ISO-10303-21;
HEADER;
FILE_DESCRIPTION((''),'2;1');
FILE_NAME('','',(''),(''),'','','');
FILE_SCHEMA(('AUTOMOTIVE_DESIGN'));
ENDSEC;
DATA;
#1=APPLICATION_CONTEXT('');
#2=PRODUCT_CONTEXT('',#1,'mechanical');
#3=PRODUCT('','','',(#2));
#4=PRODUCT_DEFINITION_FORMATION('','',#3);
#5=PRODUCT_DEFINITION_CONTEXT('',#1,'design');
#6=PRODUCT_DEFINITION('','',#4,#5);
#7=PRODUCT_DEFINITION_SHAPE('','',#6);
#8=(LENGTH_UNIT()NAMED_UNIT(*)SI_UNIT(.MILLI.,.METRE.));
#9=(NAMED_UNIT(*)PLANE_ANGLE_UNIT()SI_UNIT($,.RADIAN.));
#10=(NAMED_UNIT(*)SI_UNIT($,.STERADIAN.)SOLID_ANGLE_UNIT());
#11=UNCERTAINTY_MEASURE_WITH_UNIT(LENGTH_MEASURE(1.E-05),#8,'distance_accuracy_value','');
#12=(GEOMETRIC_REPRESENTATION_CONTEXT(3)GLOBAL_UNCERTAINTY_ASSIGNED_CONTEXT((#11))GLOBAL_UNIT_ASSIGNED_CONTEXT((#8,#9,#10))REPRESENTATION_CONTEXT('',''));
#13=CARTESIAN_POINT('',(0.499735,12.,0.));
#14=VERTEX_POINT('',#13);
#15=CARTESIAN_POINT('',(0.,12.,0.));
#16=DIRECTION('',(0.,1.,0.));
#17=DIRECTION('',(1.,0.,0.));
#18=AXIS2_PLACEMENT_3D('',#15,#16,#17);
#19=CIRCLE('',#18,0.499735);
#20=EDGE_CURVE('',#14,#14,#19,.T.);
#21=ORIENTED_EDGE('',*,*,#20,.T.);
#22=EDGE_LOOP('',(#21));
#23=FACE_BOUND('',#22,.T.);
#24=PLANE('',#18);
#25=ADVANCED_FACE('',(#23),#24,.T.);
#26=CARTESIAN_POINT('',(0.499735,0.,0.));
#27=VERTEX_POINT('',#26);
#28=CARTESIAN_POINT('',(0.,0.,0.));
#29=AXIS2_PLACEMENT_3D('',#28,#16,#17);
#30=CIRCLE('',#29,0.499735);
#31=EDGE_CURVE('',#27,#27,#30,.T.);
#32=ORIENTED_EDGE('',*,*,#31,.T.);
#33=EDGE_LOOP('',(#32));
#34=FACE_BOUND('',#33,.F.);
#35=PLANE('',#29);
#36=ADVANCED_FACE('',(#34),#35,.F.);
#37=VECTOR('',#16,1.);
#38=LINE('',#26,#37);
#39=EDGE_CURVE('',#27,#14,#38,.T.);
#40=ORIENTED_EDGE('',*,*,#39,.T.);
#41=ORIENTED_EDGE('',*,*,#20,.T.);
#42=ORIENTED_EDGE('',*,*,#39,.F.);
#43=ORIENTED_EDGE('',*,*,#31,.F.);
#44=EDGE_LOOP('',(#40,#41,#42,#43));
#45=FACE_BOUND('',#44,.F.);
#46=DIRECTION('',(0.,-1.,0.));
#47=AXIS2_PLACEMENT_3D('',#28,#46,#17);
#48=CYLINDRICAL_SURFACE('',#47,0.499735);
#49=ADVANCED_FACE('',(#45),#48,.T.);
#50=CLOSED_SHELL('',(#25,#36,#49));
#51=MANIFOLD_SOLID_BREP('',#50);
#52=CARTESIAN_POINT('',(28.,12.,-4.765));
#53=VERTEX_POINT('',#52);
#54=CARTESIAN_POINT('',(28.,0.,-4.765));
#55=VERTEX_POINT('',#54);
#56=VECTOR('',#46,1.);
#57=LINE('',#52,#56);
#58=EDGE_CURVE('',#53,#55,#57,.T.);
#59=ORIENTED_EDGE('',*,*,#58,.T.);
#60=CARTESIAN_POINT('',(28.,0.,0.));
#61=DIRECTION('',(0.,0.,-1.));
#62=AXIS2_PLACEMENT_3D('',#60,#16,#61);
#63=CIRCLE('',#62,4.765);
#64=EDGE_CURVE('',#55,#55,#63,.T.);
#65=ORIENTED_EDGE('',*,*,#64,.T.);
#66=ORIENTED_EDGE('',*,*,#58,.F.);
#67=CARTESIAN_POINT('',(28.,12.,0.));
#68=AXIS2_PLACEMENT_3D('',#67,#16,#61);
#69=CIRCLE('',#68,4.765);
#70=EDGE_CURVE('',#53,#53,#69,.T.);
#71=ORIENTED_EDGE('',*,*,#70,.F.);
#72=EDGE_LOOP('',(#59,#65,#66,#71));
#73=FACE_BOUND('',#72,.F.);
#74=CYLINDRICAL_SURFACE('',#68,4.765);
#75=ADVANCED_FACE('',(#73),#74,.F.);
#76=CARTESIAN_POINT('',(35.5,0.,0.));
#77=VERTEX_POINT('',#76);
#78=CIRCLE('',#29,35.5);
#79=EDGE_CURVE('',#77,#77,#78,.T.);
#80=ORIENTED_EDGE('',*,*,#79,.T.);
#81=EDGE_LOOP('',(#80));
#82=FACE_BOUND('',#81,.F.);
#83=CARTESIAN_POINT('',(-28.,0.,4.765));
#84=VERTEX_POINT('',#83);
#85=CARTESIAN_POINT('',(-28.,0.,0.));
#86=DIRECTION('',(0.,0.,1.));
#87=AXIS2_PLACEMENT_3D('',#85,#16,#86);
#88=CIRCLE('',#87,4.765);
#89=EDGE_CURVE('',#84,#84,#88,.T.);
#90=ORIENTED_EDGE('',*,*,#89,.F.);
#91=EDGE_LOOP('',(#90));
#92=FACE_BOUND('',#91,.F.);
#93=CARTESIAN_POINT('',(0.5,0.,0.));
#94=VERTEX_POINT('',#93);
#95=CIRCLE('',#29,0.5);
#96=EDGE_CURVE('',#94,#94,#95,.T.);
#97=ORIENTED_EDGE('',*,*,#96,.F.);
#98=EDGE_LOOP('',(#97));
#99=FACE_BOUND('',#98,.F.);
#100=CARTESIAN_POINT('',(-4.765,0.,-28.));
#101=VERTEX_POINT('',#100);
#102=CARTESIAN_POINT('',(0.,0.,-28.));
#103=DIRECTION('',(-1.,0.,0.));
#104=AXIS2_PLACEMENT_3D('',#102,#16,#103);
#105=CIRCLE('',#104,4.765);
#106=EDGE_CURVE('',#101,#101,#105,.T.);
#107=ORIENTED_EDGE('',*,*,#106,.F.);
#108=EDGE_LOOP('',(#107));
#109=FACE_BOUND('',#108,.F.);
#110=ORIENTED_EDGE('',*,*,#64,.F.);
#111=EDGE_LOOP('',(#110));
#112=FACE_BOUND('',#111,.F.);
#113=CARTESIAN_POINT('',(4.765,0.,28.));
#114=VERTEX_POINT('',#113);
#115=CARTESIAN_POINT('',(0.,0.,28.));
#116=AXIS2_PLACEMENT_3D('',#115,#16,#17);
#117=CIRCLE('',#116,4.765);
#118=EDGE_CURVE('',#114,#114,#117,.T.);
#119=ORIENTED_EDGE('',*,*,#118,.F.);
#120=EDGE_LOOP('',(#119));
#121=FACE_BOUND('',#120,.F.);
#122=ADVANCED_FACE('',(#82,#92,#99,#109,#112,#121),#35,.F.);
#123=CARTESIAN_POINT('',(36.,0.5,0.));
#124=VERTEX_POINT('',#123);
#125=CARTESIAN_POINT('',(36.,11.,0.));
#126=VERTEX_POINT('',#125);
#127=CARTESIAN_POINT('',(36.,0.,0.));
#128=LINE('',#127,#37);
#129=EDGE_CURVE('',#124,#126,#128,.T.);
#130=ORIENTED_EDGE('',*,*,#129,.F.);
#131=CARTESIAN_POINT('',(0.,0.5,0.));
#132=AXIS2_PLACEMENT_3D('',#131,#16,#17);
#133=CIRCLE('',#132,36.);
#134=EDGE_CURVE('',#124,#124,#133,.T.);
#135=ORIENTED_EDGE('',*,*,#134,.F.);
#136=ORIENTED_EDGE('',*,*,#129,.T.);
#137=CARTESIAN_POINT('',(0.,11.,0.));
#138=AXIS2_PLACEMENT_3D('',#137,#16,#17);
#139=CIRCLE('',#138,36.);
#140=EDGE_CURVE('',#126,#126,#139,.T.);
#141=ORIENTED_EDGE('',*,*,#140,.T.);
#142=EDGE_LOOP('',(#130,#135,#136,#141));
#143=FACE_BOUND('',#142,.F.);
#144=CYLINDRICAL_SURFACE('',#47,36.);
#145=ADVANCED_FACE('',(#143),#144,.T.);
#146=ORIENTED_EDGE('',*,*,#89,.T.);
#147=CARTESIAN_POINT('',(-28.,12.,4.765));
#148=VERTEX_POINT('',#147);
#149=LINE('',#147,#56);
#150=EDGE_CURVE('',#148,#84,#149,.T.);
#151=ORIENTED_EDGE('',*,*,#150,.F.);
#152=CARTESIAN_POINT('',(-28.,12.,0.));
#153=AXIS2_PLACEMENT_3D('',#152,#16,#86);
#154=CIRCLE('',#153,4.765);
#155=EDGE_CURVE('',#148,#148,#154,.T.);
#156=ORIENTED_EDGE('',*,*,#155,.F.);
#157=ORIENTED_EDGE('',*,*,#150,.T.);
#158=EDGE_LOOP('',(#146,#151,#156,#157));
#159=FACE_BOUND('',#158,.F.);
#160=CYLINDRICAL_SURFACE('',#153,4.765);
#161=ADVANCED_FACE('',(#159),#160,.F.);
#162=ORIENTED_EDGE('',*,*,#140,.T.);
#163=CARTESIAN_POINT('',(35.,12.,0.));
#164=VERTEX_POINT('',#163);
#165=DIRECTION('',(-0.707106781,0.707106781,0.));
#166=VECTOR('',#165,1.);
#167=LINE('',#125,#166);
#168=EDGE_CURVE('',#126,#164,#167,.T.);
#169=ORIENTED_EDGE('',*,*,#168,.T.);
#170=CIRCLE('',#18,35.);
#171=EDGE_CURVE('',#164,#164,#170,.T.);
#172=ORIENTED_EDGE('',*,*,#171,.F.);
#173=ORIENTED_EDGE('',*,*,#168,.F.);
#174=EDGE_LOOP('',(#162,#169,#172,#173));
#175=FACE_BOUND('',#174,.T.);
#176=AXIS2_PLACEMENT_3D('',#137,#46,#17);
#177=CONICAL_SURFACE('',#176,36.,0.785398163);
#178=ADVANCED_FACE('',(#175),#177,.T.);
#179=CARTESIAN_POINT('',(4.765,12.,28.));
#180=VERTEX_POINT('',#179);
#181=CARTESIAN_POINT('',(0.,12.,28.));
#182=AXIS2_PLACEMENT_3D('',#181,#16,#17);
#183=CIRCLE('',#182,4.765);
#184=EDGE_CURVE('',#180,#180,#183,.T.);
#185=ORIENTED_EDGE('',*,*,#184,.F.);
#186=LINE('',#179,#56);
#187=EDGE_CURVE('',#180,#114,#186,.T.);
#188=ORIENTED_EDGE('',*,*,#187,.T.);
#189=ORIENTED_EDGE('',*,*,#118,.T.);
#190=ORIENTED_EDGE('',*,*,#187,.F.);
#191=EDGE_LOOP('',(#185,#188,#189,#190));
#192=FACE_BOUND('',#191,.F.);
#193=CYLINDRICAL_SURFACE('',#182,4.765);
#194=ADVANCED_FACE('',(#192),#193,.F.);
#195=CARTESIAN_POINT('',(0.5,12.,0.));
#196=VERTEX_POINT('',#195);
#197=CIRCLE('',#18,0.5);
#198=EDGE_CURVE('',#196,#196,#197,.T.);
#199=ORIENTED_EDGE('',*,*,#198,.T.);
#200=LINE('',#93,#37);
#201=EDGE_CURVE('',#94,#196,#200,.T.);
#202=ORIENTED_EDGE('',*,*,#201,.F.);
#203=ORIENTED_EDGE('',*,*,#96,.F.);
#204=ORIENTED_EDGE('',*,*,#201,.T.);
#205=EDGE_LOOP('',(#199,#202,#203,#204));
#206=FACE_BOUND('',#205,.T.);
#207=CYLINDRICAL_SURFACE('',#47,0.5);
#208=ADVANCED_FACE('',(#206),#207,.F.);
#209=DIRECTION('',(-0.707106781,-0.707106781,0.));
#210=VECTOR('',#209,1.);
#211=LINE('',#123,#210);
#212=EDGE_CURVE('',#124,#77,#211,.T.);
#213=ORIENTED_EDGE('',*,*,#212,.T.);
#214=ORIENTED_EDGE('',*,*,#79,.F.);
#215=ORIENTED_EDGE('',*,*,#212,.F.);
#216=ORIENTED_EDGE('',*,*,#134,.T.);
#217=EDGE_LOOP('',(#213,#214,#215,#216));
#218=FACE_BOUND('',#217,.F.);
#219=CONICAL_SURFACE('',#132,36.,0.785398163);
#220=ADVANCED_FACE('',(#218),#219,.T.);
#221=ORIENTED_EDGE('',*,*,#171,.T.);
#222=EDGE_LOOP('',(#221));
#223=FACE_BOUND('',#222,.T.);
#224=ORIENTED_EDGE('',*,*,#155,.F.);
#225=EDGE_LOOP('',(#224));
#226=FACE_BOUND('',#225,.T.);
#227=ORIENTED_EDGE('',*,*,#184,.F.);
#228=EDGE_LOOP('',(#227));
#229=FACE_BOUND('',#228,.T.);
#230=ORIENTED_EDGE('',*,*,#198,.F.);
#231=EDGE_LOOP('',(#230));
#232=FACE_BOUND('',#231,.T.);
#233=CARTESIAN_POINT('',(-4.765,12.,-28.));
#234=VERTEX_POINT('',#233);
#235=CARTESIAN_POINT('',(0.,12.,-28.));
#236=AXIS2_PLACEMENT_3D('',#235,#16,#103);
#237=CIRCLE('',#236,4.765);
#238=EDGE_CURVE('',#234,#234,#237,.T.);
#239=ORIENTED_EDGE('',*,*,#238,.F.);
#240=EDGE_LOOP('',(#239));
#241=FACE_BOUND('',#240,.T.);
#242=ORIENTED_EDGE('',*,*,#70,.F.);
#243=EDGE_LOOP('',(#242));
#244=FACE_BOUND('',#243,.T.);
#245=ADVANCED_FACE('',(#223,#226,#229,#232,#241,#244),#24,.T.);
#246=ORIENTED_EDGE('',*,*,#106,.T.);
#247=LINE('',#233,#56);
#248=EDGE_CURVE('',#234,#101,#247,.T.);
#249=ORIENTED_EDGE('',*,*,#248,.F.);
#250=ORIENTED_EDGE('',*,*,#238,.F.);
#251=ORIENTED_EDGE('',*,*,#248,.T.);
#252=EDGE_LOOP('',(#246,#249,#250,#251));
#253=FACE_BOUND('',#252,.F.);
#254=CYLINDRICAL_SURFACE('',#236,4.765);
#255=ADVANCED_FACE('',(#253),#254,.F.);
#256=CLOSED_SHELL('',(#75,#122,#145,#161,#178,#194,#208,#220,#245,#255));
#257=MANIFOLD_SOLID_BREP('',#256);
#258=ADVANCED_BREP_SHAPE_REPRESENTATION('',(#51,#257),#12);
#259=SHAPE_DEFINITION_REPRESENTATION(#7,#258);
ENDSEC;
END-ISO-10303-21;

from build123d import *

# Parameters (mm, degrees)
SKETCH1_R           = 36
SKETCH1_R_2         = 0.5
BOSS_EXTRUDE1_DEPTH = 12
SKETCH4_R           = 4.765
CUT_EXTRUDE1_DEPTH  = 12
CIRPATTERN1_COUNT   = 4
CHAMFER1_SIZE       = 1
CHAMFER2_SIZE       = 0.5
SKETCH5_R           = 0.499735392
BOSS_EXTRUDE2_DEPTH = 12


with BuildPart() as part:
    # Sketch1 → Boss-Extrude1 (new body)
    with BuildSketch(Plane(origin=(0, 0, 0), x_dir=(1, 0, 0), z_dir=(0, 1, 0))):
        Circle(SKETCH1_R)
        Circle(SKETCH1_R_2, mode=Mode.SUBTRACT)
    extrude(amount=BOSS_EXTRUDE1_DEPTH)

    # Sketch4 → Cut-Extrude1 (cut)
    with BuildSketch(Plane(origin=(0, 12, 0), x_dir=(1, 0, 0), z_dir=(0, 1, 0))):
        with Locations((0, -28)):
            Circle(SKETCH4_R)
    cut_extrude1 = extrude(amount=-CUT_EXTRUDE1_DEPTH, mode=Mode.SUBTRACT)

    # CirPattern1: Cut-Extrude1 ×4 about axis
    cirpattern1_axis = Axis((0, 0, 0), (0, 1, 0))
    for i in range(1, CIRPATTERN1_COUNT):
        add(cut_extrude1.rotate(cirpattern1_axis, i * 360 / CIRPATTERN1_COUNT), mode=Mode.SUBTRACT)

    # Chamfer1
    chamfer1_edges = [part.edges().sort_by_distance(p)[0] for p in [
        (-36, 12, 0),
    ]]
    chamfer(chamfer1_edges, length=CHAMFER1_SIZE)

    # Chamfer2
    chamfer2_edges = [part.edges().sort_by_distance(p)[0] for p in [
        (-36, 0, 0),
    ]]
    chamfer(chamfer2_edges, length=CHAMFER2_SIZE)


with BuildPart() as body_2:
    # Sketch5 → Boss-Extrude2 (new body, through all)
    with BuildSketch(Plane(origin=(0, 0, 0), x_dir=(1, 0, 0), z_dir=(0, 1, 0))):
        Circle(SKETCH5_R)
    extrude(amount=BOSS_EXTRUDE2_DEPTH)


solid = Compound([part.part, body_2.part])
